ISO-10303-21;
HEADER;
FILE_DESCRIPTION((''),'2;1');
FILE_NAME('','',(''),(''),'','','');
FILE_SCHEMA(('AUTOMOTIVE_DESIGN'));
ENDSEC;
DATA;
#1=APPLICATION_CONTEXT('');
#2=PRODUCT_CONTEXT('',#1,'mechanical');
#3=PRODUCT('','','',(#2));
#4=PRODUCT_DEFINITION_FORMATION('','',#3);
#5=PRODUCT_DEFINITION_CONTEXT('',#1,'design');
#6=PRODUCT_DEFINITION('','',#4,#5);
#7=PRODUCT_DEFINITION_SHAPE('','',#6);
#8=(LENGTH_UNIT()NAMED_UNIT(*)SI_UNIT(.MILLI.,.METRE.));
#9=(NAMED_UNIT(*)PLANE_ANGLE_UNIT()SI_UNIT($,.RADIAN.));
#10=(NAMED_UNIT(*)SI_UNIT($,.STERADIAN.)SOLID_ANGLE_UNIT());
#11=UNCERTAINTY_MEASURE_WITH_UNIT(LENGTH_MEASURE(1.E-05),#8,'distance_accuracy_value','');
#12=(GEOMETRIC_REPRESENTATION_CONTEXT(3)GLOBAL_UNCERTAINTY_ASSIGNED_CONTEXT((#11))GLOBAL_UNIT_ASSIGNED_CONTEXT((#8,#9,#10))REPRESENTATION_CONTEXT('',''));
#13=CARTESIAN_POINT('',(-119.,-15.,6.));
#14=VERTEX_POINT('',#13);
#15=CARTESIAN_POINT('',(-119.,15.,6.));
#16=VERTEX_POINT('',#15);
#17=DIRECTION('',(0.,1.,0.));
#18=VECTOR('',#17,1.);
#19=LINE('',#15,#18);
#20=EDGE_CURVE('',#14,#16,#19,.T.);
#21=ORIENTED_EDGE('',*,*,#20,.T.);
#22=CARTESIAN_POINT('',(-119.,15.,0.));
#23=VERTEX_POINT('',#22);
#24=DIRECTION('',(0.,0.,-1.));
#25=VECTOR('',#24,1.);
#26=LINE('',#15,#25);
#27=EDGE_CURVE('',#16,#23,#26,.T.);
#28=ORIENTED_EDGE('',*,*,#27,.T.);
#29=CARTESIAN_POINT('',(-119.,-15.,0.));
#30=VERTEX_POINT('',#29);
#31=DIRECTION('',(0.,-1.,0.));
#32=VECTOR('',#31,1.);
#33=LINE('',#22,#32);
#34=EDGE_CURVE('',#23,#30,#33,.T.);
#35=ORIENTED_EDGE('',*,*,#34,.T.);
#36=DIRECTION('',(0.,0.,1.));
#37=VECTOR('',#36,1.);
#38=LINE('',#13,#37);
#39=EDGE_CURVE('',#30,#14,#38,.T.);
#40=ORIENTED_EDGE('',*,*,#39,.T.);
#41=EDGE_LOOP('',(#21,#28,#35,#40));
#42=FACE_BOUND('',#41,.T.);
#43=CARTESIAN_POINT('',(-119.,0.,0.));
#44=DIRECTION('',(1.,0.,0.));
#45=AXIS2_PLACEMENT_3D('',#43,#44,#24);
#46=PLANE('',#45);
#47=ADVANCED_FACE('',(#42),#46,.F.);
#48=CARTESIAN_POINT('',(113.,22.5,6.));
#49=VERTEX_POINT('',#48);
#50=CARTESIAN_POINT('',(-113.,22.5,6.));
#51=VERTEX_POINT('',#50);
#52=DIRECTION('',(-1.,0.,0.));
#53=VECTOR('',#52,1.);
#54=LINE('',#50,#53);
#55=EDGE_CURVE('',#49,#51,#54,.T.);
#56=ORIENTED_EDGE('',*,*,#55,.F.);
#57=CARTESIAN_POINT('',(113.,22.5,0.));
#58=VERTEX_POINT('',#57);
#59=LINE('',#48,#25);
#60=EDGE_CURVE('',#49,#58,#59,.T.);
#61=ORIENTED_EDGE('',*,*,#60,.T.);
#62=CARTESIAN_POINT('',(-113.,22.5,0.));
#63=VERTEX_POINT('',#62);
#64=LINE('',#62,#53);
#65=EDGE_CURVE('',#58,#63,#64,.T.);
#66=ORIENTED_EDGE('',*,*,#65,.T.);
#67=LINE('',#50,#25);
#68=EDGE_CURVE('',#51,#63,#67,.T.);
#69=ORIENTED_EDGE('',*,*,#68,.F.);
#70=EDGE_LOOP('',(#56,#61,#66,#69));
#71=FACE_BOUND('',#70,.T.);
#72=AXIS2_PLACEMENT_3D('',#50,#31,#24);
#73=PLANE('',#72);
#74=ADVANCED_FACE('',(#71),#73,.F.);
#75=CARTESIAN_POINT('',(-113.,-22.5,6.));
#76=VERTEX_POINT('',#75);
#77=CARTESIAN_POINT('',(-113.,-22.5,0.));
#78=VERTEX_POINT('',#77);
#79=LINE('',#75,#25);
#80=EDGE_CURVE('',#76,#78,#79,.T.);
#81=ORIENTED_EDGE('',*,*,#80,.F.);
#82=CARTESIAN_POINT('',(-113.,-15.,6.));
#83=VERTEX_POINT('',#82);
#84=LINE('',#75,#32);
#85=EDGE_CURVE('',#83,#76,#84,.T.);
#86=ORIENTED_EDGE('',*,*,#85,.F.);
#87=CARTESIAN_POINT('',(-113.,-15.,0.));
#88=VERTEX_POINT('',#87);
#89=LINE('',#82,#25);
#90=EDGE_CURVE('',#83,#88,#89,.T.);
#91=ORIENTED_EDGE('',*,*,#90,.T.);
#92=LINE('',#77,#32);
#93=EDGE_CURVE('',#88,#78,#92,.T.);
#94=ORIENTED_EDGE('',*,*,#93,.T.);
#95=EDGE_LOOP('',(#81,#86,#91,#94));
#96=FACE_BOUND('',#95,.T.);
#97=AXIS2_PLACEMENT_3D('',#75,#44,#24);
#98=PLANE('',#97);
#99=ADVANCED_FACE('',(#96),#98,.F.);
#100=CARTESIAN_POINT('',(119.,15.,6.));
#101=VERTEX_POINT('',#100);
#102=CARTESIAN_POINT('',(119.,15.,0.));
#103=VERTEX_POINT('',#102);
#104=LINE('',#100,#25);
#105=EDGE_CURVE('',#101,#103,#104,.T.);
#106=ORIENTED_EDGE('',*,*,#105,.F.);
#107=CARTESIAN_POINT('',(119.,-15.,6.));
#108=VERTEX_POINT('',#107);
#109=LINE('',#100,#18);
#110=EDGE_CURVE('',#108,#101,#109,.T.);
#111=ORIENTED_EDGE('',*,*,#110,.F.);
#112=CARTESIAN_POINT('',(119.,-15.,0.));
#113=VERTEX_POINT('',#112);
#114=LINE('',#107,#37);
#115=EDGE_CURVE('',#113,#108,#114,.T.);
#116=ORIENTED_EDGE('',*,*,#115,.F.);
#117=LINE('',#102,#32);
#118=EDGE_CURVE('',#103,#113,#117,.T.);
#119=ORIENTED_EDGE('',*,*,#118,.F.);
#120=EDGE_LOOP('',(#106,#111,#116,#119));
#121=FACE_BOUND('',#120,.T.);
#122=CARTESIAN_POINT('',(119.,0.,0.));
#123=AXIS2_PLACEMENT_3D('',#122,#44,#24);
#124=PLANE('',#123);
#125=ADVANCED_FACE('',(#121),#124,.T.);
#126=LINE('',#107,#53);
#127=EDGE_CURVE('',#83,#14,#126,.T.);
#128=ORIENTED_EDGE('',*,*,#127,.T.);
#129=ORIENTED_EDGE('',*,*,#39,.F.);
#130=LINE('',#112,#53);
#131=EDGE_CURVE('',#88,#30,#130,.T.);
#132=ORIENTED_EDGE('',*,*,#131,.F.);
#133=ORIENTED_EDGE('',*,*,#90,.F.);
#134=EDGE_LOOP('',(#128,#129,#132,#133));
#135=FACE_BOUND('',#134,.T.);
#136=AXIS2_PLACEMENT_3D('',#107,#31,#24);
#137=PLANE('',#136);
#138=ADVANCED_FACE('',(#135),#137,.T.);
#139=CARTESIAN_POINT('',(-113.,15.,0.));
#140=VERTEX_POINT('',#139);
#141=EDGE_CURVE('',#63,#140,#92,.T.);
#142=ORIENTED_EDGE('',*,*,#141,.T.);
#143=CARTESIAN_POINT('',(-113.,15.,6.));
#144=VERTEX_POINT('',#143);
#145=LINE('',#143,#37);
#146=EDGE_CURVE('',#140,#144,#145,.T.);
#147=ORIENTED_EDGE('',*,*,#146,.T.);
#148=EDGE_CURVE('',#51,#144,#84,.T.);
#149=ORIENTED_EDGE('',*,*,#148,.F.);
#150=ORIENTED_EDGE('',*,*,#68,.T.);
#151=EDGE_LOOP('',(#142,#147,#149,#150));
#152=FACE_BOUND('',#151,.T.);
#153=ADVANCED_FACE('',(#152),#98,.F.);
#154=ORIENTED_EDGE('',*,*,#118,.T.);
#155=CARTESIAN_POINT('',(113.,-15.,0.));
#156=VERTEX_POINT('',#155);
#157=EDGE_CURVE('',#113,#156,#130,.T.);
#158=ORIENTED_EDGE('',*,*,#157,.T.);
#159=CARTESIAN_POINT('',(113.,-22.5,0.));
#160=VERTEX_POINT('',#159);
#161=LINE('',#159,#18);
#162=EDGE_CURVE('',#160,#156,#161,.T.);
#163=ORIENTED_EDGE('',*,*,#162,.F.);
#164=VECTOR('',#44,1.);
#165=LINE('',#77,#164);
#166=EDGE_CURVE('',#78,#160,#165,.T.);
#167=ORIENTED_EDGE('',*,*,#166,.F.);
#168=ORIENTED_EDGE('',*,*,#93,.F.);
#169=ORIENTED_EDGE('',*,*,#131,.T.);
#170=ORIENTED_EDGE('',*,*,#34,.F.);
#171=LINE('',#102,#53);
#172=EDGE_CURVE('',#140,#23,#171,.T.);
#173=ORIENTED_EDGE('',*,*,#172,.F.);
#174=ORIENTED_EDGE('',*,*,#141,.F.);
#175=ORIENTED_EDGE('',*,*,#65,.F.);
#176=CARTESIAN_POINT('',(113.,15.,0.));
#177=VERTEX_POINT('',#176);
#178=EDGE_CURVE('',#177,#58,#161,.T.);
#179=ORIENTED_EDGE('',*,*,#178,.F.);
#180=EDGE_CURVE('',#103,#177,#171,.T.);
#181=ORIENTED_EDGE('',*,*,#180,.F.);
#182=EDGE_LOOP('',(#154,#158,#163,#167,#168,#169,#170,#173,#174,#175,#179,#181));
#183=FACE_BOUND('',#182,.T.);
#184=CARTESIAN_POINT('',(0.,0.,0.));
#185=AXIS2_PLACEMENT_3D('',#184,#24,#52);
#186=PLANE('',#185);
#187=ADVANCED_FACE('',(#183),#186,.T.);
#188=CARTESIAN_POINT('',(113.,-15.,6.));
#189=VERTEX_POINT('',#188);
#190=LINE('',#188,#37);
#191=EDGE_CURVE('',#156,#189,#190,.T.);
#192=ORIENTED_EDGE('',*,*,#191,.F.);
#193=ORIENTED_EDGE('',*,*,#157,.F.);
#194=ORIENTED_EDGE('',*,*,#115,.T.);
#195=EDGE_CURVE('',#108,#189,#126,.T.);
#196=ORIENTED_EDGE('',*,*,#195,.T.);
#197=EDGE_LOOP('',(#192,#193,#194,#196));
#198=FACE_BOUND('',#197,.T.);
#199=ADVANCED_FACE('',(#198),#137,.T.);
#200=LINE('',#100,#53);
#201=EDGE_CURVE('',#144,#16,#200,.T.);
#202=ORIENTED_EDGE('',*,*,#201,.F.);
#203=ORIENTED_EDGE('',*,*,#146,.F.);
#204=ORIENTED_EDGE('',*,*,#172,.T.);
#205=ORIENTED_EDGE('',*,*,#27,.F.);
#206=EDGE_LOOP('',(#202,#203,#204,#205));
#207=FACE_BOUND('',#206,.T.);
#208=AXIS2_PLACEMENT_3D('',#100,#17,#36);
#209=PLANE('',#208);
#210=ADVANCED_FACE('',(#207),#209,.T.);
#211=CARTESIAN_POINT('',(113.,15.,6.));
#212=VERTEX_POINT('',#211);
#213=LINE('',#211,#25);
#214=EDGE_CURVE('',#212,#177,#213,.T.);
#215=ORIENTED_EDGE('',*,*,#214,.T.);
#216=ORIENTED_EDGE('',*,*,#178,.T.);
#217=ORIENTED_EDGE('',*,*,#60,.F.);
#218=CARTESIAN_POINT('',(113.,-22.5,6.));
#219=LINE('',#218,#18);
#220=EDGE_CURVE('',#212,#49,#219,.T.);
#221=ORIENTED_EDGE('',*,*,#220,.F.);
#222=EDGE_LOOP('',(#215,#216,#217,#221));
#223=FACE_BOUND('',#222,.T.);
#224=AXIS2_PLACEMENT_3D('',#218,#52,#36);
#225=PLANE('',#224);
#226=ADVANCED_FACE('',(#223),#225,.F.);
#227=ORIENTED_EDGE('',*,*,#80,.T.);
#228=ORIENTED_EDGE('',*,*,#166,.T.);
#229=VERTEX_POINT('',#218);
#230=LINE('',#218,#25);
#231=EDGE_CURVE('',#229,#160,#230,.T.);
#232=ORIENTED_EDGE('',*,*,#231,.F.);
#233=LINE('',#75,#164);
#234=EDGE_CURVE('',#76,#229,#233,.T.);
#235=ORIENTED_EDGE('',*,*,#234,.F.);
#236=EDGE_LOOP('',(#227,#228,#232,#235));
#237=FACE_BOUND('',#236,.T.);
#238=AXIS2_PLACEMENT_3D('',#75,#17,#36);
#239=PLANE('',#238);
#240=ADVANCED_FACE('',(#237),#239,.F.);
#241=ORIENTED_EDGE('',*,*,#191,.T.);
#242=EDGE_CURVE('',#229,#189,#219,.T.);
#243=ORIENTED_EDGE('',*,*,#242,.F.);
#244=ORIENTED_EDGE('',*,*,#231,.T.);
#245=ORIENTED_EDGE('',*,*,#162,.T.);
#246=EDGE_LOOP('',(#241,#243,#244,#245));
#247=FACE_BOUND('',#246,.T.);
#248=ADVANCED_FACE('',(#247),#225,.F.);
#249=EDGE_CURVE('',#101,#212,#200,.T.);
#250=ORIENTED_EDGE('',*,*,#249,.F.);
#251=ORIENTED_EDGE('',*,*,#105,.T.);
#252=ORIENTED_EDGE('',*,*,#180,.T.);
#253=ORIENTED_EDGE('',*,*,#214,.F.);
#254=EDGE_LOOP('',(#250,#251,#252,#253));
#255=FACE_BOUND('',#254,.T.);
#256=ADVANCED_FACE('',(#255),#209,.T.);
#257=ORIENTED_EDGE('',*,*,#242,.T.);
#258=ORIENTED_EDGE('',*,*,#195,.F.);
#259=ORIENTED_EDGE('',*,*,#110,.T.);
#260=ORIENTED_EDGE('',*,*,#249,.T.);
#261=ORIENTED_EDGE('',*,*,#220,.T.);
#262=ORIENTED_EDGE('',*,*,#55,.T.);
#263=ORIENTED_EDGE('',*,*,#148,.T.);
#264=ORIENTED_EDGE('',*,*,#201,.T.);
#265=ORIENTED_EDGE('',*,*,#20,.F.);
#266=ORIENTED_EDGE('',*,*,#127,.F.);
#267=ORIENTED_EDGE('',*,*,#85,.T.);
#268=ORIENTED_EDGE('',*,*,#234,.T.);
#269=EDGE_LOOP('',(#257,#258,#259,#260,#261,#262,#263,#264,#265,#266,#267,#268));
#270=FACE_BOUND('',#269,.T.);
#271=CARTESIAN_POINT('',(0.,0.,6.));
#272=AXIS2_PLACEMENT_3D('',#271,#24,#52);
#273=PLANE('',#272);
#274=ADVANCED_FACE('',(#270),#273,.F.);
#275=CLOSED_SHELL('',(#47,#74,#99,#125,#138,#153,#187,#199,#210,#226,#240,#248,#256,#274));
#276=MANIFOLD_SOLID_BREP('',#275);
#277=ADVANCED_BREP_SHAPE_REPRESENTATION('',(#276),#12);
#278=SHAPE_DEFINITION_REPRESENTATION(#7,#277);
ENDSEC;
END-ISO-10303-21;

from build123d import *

# Parameters (mm, degrees)
CROQUIS1_W                   = 226
CROQUIS1_H                   = 45
SALIENTE_EXTRUIR1_DEPTH      = 6
CROQUIS2_W                   = 6
CROQUIS2_H                   = 30
SALIENTE_EXTRUIR2_DEPTH      = 6
SALIENTE_EXTRUIR2_DEPTH_BACK = 232


with BuildPart() as part:
    # Croquis1 → Saliente-Extruir1 (new body)
    with BuildSketch(Plane.XY):
        Rectangle(CROQUIS1_W, CROQUIS1_H)
    extrude(amount=SALIENTE_EXTRUIR1_DEPTH)

    # Croquis2 → Saliente-Extruir2 (add, two sides)
    with BuildSketch(Plane.ZY.offset(113)) as saliente_extruir2_sk:
        with Locations((3, 0)):
            Rectangle(CROQUIS2_W, CROQUIS2_H)
    extrude(amount=SALIENTE_EXTRUIR2_DEPTH)
    extrude(saliente_extruir2_sk.sketch, amount=-SALIENTE_EXTRUIR2_DEPTH_BACK)


solid = part.part
